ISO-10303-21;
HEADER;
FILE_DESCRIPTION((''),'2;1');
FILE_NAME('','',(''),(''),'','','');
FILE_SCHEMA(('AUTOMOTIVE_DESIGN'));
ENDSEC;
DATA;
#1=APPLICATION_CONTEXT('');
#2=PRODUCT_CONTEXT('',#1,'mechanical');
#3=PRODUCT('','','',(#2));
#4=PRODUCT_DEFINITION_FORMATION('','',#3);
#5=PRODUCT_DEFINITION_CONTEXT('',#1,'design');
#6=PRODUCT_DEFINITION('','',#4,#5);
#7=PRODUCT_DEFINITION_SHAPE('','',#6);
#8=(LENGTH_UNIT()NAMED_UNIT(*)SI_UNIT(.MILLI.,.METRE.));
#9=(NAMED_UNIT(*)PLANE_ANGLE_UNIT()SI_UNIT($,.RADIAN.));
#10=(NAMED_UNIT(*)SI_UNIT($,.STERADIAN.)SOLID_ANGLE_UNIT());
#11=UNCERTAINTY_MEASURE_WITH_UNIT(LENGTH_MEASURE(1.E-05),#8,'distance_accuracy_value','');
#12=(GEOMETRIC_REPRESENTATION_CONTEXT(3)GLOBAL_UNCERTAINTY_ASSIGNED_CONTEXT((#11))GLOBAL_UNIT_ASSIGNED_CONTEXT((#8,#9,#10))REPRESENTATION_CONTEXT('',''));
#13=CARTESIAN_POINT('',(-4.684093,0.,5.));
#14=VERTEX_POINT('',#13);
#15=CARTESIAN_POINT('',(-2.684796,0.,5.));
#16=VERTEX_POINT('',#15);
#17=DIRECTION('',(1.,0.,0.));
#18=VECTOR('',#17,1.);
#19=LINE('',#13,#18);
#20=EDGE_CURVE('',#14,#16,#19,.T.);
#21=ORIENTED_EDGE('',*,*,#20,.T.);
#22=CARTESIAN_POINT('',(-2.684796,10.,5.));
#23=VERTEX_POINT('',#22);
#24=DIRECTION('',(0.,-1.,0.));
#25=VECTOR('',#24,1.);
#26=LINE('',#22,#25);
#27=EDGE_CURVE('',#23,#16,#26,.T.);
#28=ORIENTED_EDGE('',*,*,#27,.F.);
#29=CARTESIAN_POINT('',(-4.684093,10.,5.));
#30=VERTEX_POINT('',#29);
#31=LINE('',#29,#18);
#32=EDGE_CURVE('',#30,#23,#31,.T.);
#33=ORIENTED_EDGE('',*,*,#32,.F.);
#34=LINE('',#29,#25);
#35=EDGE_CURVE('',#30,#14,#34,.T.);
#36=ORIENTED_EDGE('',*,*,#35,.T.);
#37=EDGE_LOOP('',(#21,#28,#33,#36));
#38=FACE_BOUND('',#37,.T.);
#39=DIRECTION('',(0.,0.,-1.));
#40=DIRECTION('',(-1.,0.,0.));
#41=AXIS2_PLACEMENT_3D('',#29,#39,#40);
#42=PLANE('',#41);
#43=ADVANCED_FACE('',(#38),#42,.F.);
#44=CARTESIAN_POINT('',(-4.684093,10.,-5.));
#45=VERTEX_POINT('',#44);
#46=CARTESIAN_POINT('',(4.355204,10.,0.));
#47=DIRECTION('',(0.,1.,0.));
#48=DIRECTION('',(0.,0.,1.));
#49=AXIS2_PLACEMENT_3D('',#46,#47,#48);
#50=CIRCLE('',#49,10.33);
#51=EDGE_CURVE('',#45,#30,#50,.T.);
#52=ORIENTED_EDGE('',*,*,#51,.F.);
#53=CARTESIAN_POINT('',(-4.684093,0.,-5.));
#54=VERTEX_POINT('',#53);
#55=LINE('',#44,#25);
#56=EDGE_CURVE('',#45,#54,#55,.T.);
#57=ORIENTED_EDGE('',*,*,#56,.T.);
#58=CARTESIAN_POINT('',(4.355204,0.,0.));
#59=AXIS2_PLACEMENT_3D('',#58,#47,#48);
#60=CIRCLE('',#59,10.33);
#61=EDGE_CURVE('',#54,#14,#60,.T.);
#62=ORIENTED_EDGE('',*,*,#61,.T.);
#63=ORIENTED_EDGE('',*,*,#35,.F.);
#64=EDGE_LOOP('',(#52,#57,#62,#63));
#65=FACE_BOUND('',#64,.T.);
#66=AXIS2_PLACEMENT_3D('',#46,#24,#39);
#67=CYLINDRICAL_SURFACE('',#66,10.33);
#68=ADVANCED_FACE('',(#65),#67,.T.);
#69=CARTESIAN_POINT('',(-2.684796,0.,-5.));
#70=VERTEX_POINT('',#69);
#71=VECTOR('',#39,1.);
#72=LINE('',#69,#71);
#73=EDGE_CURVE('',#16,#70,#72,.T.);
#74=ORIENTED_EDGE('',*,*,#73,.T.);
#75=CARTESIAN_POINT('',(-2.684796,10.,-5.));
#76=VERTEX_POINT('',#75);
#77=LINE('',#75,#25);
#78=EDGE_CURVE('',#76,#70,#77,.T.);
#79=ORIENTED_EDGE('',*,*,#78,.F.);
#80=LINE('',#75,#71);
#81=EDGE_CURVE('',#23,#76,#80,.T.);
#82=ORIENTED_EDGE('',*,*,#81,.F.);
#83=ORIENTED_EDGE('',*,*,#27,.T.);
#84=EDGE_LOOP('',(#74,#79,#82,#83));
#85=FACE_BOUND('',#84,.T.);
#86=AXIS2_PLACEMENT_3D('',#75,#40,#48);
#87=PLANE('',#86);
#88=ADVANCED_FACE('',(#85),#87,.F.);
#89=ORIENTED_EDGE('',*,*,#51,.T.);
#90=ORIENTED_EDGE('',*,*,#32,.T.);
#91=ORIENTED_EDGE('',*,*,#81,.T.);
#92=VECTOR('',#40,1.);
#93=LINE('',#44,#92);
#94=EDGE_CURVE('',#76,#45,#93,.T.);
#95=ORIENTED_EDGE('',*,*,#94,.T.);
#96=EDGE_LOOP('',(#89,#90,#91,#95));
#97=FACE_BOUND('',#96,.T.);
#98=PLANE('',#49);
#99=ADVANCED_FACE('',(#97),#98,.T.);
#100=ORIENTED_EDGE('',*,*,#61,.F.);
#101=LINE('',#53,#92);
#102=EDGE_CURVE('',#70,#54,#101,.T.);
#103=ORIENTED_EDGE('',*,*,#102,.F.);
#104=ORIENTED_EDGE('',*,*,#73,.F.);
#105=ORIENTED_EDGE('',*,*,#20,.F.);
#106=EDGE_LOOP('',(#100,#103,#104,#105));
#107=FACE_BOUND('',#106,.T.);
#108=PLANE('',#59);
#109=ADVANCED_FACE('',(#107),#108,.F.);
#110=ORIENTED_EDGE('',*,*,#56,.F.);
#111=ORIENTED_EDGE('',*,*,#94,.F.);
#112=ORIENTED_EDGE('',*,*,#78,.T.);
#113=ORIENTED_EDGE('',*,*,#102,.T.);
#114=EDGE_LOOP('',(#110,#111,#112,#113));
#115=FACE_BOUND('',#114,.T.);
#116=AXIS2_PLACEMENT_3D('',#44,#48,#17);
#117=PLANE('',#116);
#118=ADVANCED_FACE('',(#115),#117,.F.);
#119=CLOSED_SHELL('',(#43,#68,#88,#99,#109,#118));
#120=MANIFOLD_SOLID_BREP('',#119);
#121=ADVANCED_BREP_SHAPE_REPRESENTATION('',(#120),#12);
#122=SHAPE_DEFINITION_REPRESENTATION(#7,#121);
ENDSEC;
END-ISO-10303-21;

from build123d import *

# Parameters (mm, degrees)
EXTRUDE_1_DEPTH = 10


with BuildPart() as part:
    # 草图1 → 凸台-拉伸1 (new body)
    with BuildSketch(Plane(origin=(0, 0, 0), x_dir=(1, 0, 0), z_dir=(0, 1, 0))):
        with BuildLine():
            Line((-4.684093204, 5), (-2.684795665, 5))
            Line((-2.684795665, 5), (-2.684795665, -5))
            Line((-2.684795665, -5), (-4.684093204, -5))
            ThreePointArc((-4.684093204, -5), (-5.974795665, 0), (-4.684093204, 5))
        make_face()
    extrude(amount=EXTRUDE_1_DEPTH)


solid = part.part
